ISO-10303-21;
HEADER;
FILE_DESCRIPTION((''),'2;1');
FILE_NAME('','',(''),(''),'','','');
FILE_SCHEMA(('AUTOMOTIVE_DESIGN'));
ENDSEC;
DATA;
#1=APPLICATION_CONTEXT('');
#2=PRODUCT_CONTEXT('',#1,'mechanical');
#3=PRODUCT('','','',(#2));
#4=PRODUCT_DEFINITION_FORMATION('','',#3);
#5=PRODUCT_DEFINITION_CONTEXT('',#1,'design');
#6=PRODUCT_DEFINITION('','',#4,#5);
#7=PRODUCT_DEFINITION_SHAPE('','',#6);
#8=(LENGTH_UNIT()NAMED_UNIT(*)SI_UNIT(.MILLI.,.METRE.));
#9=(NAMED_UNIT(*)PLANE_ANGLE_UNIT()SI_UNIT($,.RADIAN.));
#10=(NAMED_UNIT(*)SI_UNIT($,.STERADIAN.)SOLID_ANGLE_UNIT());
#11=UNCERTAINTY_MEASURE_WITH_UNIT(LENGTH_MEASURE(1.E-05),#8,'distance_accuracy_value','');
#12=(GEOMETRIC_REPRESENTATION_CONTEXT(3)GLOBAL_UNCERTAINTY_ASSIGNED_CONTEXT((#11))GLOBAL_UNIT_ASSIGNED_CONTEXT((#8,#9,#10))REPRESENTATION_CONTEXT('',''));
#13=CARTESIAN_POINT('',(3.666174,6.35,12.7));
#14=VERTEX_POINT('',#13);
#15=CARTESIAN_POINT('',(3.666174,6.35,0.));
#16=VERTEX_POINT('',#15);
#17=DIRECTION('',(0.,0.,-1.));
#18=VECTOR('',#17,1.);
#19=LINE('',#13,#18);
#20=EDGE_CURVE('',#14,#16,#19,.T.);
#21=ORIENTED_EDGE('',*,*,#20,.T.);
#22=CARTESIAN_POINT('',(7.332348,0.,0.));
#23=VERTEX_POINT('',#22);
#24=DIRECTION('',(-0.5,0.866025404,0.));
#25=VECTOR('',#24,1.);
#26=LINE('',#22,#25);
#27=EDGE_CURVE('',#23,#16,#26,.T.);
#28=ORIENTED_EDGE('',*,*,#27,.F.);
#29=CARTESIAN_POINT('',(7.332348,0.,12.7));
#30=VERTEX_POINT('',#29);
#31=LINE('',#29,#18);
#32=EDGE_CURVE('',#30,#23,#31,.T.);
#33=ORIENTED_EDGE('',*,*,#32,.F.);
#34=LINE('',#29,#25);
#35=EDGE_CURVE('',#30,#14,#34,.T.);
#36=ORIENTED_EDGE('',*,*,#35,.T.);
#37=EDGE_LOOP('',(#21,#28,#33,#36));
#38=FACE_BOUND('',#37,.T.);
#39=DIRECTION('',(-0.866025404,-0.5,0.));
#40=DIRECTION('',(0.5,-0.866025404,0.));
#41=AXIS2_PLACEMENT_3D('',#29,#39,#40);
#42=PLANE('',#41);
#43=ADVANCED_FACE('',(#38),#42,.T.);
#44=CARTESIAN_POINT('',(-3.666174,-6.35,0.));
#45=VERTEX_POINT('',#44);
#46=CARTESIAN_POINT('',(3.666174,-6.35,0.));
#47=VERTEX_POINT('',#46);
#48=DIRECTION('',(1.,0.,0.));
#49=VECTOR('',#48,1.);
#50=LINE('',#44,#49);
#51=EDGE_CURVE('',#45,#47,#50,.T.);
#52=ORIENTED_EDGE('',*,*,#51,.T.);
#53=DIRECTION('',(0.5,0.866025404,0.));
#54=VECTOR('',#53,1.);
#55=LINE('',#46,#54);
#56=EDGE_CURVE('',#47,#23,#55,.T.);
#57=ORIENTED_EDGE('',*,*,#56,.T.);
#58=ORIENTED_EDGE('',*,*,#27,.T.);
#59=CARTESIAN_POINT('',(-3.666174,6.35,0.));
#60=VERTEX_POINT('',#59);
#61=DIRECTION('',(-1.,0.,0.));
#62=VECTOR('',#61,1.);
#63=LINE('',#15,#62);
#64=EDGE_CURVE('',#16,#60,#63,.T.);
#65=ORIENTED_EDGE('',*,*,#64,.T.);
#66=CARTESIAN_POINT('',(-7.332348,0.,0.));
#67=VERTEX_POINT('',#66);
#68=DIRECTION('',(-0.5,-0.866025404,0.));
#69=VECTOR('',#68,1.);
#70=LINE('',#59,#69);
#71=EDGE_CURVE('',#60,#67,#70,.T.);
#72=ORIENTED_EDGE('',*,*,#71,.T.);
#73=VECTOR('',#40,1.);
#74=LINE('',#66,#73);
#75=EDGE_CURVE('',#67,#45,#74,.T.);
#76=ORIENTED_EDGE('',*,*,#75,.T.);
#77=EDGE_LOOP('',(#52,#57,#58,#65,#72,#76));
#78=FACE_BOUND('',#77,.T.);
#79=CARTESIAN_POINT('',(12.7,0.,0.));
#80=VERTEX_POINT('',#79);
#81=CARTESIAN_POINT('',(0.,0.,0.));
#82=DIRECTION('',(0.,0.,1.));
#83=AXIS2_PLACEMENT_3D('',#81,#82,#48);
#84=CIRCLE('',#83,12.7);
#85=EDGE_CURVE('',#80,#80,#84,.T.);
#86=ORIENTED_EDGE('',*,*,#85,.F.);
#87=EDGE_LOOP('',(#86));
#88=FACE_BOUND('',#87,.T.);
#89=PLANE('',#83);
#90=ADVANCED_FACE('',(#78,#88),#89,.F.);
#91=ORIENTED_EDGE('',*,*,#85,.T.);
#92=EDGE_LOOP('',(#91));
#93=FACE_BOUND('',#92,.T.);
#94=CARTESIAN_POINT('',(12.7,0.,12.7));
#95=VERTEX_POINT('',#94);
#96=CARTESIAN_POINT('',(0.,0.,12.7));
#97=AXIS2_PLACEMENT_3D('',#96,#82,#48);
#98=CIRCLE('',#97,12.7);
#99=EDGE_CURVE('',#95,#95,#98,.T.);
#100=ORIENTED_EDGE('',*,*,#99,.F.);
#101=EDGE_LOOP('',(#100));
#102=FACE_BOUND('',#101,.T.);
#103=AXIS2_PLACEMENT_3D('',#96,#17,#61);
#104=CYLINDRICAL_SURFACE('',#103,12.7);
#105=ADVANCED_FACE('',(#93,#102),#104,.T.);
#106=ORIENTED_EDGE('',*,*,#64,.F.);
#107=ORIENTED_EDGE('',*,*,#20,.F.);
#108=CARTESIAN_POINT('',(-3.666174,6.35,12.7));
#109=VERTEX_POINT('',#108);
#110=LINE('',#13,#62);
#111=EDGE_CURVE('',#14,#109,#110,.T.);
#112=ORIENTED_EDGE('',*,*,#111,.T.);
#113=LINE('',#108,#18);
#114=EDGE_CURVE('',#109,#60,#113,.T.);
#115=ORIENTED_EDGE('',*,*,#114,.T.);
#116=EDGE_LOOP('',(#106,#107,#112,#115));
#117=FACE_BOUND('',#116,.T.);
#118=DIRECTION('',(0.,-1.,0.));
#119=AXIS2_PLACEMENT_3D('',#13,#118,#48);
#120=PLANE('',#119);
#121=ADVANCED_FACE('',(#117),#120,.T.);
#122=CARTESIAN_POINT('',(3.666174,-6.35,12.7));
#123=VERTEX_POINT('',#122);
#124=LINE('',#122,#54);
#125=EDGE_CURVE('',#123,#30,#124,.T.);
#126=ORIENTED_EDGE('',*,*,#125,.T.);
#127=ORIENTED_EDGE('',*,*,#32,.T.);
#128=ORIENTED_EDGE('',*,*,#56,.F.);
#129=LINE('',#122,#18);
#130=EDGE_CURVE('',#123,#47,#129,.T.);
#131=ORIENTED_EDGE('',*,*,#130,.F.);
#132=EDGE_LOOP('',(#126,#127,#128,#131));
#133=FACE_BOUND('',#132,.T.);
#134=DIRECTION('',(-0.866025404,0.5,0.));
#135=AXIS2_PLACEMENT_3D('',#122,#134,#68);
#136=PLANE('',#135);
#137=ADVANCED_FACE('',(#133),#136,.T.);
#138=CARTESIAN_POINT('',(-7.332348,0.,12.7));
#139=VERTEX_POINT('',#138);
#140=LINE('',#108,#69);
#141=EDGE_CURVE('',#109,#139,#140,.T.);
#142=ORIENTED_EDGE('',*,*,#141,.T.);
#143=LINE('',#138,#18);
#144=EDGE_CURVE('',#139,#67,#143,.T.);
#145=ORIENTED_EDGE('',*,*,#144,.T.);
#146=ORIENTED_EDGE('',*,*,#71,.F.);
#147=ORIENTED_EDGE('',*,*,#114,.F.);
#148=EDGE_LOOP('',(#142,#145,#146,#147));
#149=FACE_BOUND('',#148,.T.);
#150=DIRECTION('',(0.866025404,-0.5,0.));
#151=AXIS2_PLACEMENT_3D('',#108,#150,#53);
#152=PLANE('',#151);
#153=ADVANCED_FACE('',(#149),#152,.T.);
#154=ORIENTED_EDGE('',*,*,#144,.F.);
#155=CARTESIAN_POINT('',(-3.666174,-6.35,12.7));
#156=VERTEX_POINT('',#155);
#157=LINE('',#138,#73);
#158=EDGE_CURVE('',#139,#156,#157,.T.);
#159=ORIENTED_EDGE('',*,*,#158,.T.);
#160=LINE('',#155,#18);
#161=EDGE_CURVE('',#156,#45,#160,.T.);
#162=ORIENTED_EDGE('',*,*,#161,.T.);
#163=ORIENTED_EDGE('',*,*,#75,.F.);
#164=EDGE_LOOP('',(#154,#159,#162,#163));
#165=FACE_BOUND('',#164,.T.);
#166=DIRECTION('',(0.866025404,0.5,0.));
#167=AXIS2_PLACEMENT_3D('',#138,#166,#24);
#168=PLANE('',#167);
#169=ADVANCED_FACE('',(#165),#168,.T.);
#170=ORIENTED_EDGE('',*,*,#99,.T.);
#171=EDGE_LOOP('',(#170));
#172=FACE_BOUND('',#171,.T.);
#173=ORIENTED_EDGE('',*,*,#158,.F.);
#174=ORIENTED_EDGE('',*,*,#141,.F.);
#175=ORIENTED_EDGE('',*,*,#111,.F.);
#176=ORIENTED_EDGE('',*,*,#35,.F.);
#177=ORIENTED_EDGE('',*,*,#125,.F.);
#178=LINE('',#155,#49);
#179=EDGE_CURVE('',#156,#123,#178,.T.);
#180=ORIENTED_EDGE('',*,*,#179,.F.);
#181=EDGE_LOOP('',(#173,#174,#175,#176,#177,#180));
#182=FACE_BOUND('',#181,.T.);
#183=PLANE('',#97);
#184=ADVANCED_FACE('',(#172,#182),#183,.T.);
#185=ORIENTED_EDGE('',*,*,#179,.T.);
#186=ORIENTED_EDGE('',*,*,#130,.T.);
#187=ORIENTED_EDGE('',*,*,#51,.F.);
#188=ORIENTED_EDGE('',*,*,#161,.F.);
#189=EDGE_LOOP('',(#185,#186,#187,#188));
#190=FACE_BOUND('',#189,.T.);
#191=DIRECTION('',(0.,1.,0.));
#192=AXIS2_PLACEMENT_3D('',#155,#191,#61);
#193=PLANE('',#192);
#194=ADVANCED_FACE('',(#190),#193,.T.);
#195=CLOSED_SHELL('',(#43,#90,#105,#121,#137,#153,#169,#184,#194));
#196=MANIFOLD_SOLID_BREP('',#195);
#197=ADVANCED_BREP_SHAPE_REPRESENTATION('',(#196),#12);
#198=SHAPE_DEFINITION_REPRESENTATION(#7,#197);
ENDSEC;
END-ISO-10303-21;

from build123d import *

# Parameters (mm, degrees)
SKETCH1_R           = 12.7
BOSS_EXTRUDE1_DEPTH = 12.7


with BuildPart() as part:
    # Sketch1 → Boss-Extrude1 (new body)
    with BuildSketch(Plane.XY):
        Circle(SKETCH1_R)
        Polygon((7.332348419, 0), (3.666174209, 6.35), (-3.666174209, 6.35), (-7.332348419, 0), (-3.666174209, -6.35), (3.666174209, -6.35), align=None, mode=Mode.SUBTRACT)
    extrude(amount=BOSS_EXTRUDE1_DEPTH)


solid = part.part
